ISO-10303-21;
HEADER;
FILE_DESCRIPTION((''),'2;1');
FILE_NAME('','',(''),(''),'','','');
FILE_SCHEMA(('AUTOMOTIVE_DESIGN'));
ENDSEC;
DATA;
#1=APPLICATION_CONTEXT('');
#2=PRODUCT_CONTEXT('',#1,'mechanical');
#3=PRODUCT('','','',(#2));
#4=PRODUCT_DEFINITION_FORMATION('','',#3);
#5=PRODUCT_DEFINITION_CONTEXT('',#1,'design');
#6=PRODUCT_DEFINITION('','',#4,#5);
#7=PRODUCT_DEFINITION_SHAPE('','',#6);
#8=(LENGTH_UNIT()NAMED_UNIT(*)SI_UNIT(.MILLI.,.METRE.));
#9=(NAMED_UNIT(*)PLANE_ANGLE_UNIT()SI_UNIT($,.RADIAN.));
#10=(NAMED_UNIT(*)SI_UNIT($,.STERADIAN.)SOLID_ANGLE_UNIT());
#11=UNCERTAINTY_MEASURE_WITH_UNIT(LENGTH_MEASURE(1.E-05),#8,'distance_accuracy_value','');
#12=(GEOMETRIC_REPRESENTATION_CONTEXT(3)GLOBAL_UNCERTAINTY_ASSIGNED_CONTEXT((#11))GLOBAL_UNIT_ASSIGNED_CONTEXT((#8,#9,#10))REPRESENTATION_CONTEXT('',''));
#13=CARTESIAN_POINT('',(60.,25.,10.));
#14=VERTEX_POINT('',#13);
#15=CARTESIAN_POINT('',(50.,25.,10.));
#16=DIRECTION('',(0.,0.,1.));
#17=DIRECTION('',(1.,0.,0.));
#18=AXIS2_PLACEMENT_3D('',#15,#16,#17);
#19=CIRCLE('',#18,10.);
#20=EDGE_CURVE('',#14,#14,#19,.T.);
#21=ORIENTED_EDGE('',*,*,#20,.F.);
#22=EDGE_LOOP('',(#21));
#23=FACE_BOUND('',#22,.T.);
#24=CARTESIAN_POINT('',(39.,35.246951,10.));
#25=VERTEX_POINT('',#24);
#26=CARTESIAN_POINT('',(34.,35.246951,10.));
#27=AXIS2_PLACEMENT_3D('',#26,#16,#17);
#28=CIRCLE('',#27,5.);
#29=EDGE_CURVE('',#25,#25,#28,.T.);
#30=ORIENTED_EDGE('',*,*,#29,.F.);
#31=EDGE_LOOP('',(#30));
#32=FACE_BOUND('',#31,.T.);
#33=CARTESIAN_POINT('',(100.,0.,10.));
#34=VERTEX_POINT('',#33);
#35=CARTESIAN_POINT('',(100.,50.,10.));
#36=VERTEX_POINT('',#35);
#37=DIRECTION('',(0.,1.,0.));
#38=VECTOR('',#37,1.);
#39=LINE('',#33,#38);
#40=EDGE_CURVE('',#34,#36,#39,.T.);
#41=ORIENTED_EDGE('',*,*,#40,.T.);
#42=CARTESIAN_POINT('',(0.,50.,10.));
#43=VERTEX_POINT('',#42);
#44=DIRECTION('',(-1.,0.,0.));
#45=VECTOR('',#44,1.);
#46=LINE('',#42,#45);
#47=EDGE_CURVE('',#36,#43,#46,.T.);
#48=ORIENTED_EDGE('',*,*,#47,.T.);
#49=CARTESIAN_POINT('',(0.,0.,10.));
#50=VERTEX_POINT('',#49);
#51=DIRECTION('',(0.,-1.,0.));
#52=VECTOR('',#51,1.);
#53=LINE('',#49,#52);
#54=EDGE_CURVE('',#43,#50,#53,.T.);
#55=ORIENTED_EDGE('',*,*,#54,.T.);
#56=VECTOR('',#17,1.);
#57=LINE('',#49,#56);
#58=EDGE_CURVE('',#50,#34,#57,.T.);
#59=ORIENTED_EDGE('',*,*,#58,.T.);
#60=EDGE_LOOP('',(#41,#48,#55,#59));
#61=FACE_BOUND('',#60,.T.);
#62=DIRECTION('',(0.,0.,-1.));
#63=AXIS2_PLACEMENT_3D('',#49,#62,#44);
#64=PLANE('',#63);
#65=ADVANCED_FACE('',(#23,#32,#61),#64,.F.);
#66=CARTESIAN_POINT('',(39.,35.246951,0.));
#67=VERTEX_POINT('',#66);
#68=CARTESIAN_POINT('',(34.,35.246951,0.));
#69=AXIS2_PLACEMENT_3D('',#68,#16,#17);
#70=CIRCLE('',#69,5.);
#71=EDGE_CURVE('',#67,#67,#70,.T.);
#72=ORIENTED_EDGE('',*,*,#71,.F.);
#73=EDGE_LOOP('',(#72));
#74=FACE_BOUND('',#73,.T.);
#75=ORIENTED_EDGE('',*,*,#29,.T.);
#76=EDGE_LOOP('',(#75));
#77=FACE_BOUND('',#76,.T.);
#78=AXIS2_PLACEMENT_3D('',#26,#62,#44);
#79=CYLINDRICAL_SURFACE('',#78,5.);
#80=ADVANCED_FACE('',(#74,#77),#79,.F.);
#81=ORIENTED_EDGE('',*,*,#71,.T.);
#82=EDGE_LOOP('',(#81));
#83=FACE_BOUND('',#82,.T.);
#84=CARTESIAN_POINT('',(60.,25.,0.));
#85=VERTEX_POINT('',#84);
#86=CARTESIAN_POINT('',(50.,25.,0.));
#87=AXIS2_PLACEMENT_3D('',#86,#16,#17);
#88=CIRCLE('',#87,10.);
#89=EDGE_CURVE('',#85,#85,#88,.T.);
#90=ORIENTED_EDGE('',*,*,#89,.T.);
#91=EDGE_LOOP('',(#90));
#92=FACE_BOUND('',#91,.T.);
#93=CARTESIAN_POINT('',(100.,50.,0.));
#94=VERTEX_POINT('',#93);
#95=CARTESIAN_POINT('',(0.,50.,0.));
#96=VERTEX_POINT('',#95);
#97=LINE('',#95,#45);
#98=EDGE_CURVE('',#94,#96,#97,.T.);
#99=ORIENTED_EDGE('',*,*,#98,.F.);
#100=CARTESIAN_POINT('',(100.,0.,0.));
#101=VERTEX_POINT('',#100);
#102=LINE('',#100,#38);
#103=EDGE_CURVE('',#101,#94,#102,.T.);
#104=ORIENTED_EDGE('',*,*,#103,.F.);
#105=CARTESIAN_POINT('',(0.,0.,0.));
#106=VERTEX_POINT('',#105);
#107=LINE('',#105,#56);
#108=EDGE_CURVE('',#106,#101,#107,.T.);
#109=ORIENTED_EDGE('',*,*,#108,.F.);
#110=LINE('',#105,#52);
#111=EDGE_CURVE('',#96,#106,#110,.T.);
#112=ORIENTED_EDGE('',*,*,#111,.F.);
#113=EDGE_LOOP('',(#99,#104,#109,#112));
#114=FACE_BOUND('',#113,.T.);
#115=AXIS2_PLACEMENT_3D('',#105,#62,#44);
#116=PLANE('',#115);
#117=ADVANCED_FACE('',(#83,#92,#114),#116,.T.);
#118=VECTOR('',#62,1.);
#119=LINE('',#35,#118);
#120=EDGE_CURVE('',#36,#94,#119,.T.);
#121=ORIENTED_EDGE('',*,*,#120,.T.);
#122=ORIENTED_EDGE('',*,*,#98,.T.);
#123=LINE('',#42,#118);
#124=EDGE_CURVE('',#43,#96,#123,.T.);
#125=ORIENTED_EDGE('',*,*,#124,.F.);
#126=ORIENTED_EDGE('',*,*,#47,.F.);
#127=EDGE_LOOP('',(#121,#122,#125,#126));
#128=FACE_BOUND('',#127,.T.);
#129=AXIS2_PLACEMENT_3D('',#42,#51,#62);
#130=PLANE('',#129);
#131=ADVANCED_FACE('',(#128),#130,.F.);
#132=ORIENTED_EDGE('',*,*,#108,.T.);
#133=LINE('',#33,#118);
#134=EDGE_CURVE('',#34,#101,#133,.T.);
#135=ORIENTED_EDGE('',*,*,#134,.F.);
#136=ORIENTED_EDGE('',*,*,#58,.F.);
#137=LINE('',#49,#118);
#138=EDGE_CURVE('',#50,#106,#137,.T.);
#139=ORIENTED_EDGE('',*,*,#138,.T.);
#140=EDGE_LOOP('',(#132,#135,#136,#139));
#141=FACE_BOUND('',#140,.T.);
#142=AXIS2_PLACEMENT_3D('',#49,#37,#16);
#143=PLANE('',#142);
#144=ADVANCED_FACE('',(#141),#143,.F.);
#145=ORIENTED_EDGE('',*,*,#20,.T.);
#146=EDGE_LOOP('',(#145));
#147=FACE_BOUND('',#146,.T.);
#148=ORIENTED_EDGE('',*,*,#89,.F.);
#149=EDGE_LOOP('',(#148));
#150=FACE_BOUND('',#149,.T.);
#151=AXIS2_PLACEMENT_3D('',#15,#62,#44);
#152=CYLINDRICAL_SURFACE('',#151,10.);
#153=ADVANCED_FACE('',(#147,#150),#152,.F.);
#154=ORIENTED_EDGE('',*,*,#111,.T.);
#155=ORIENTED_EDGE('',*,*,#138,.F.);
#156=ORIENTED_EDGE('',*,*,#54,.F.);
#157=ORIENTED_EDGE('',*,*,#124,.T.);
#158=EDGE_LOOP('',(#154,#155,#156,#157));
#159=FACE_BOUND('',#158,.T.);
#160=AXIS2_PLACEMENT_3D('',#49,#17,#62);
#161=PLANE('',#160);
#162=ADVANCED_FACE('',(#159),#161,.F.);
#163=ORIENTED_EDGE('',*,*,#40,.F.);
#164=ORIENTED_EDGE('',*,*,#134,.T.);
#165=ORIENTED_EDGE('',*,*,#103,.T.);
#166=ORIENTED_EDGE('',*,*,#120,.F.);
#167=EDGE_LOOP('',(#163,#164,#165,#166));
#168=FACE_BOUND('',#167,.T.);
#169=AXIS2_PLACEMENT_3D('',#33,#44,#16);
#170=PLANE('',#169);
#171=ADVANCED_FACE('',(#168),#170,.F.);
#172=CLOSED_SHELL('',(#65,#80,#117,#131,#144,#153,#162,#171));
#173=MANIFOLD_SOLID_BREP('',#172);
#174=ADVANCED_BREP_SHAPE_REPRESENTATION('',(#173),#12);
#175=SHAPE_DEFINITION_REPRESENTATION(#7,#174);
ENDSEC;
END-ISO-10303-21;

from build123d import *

# Parameters (mm, degrees)
SKETCH1_W           = 100
SKETCH1_H           = 50
SKETCH1_R           = 10
SKETCH1_R_2         = 5
BOSS_EXTRUDE1_DEPTH = 10


with BuildPart() as part:
    # Sketch1 → Boss-Extrude1 (new body)
    with BuildSketch(Plane.XY):
        with Locations((50, 25)):
            Rectangle(SKETCH1_W, SKETCH1_H)
        with Locations((50, 25)):
            Circle(SKETCH1_R, mode=Mode.SUBTRACT)
        with Locations((34, 35.246950766)):
            Circle(SKETCH1_R_2, mode=Mode.SUBTRACT)
    extrude(amount=BOSS_EXTRUDE1_DEPTH)


solid = part.part
